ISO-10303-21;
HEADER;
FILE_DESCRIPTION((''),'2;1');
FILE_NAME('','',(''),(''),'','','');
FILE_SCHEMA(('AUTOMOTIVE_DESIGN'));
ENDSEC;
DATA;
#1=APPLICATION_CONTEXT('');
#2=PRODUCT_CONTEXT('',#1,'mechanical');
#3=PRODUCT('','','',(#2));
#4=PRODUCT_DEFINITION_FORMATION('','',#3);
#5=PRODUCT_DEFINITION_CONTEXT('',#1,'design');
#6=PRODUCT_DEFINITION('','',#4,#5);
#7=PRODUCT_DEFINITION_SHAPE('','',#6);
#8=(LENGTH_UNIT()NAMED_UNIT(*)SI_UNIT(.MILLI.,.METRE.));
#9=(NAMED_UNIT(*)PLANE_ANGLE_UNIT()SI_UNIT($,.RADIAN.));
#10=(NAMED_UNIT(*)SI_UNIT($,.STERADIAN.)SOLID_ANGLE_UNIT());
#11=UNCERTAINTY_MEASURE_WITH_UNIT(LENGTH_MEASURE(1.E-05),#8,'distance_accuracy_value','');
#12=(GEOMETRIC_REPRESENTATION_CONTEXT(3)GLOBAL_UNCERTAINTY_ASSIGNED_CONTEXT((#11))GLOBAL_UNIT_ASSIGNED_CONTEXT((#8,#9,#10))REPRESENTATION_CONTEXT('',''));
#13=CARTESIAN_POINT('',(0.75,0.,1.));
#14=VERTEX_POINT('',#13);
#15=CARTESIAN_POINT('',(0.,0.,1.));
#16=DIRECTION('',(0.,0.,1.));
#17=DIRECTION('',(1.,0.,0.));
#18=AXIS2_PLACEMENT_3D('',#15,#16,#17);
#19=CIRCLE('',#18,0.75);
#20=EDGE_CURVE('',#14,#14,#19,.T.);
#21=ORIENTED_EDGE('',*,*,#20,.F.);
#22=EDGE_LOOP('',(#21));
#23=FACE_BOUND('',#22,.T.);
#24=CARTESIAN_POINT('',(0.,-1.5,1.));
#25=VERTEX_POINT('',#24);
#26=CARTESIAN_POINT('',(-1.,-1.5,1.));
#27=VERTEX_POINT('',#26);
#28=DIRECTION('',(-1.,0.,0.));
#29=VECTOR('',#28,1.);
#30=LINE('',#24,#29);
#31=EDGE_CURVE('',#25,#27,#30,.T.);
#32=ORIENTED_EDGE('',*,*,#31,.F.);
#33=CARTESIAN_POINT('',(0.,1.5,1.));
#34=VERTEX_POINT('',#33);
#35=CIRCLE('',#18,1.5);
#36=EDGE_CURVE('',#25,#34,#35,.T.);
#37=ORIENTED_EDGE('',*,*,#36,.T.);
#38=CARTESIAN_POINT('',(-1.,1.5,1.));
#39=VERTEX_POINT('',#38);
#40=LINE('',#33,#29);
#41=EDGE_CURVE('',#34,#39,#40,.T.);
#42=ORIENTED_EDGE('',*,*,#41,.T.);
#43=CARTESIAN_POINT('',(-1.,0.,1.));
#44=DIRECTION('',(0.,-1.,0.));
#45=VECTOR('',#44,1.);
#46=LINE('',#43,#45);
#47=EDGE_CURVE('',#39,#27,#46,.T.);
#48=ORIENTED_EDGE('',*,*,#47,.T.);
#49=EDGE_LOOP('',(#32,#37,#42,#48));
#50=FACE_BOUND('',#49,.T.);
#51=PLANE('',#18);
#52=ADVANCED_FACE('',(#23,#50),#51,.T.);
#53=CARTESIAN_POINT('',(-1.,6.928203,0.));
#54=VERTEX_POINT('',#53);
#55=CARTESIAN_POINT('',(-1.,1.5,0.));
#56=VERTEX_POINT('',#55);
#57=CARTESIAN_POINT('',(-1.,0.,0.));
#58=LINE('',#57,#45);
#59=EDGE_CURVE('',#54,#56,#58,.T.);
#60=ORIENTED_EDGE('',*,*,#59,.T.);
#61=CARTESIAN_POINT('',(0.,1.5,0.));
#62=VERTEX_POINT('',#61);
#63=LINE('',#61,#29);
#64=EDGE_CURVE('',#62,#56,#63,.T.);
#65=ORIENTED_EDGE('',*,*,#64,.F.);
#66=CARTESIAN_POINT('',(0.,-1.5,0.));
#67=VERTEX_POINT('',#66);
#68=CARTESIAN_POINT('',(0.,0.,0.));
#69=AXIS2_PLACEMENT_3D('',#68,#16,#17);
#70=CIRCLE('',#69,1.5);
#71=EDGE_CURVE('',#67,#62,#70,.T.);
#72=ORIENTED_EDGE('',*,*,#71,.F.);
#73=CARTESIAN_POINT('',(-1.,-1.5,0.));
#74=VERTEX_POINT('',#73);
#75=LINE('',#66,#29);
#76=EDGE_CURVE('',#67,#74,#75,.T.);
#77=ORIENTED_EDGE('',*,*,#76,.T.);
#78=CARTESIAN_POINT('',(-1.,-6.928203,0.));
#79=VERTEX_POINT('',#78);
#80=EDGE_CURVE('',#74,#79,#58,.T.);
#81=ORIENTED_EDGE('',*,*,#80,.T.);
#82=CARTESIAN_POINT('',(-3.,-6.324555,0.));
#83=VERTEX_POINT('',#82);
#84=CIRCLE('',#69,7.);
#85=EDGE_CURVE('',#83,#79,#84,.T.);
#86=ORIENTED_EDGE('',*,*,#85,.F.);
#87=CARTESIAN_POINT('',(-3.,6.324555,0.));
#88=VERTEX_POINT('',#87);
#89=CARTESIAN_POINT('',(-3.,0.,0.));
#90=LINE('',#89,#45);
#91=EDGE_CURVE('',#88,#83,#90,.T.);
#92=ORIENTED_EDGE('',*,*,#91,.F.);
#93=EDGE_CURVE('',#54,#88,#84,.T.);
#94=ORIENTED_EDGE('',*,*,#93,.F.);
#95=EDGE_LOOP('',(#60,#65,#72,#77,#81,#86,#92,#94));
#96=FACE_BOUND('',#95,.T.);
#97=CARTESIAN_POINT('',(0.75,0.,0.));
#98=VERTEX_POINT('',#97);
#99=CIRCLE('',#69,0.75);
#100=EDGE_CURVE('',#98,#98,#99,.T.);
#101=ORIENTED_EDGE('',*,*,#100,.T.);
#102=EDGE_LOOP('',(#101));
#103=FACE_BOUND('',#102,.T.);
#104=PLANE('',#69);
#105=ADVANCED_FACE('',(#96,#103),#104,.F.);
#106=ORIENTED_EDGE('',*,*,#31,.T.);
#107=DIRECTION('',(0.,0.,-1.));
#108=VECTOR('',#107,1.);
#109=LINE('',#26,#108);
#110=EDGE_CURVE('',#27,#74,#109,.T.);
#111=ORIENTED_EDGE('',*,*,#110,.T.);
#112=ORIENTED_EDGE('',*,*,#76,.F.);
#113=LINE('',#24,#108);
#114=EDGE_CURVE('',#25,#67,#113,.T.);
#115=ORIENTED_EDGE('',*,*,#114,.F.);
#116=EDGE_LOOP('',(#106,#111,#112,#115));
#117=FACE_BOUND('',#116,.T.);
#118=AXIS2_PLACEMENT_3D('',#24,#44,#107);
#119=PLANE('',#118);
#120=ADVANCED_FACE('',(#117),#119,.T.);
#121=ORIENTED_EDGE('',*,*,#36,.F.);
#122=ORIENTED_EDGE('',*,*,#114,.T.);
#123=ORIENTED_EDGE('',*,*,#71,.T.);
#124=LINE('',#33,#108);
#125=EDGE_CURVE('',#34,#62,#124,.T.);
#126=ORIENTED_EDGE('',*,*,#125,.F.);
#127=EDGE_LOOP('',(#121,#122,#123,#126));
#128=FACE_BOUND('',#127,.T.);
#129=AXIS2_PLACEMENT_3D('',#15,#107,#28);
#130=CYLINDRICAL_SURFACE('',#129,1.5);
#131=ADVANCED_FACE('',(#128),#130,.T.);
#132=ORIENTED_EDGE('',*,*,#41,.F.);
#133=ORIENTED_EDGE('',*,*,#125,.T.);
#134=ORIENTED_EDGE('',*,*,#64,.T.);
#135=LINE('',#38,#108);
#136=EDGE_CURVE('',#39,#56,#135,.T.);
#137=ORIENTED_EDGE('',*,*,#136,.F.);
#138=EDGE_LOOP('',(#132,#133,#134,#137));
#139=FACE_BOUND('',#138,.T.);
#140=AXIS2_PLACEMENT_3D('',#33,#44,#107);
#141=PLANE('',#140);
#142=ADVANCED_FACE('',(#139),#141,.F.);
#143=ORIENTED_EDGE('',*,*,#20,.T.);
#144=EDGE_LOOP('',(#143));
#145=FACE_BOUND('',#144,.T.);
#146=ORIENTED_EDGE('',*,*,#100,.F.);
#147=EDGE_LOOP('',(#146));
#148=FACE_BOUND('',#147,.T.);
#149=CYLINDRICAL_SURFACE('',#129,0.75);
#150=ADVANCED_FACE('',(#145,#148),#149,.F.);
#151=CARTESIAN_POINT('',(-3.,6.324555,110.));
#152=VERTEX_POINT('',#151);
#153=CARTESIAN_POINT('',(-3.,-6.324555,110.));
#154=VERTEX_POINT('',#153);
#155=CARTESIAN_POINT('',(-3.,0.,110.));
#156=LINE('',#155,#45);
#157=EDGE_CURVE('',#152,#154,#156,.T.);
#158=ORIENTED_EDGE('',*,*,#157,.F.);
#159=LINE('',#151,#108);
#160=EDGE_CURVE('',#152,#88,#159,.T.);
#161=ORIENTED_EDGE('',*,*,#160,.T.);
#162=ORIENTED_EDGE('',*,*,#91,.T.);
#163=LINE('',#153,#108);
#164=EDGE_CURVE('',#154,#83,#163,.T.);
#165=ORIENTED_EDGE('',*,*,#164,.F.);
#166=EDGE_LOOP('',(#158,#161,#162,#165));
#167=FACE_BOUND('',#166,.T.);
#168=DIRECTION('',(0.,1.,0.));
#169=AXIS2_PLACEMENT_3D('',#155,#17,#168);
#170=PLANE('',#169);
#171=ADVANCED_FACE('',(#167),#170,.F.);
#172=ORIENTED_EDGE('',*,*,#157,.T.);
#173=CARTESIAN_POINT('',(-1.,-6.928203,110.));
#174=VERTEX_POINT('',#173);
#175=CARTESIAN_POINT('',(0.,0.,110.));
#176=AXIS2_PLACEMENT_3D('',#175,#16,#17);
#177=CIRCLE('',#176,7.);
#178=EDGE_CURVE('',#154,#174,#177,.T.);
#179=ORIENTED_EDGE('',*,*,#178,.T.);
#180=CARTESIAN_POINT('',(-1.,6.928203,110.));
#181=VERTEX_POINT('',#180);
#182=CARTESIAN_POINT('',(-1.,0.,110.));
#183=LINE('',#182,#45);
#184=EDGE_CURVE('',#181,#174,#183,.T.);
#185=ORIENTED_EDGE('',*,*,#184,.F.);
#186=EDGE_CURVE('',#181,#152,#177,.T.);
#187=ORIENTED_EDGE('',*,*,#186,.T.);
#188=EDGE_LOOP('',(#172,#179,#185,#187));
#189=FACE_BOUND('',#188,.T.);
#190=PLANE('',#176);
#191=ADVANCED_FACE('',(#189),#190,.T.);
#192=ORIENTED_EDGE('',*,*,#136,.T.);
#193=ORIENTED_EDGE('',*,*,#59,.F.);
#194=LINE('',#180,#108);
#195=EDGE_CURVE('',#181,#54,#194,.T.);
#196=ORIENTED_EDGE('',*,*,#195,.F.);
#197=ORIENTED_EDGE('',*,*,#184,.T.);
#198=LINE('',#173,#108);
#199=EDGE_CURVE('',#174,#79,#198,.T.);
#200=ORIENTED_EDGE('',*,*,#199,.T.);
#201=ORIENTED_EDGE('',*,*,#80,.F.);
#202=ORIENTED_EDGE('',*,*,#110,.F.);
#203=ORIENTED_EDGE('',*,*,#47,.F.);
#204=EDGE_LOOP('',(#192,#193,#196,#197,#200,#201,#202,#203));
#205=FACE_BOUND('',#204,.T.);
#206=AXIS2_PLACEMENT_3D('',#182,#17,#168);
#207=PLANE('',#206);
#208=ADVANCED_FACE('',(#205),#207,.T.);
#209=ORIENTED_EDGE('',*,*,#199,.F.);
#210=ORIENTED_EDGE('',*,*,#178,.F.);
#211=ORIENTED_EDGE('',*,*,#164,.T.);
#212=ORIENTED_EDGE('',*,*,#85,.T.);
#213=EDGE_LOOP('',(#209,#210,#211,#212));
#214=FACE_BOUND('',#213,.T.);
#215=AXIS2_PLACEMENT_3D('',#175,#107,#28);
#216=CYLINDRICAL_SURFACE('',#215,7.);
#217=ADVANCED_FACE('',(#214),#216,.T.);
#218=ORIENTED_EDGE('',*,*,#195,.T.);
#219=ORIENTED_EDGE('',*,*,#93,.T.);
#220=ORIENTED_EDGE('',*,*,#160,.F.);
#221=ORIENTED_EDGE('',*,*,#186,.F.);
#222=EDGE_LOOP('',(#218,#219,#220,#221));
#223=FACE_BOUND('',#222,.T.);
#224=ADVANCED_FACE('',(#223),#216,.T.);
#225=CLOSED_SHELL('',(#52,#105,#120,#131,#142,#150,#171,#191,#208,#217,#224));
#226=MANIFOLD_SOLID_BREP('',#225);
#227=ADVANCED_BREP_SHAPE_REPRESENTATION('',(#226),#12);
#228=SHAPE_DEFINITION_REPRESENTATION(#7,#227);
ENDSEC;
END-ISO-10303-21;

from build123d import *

# Parameters (mm, degrees)
EXTRUDE_1_DEPTH = 110
SKETCH_1_4_R    = 0.75
EXTRUDE_2_DEPTH = 1


with BuildPart() as part:
    # Sketch 1 → Extrude 1 (new body)
    with BuildSketch(Plane.XY):
        with BuildLine():
            Line((-1, 6.92820323), (-1, 1.5))
            Line((-1, 1.5), (-1, -1.5))
            Line((-1, -1.5), (-1, -6.92820323))
            ThreePointArc((-1, -6.92820323), (-2.022646212, -6.701410471), (-3, -6.32455532))
            Line((-3, -6.32455532), (-3, 6.32455532))
            ThreePointArc((-3, 6.32455532), (-2.022646212, 6.701410471), (-1, 6.92820323))
        make_face()
    extrude(amount=EXTRUDE_1_DEPTH)

    # Sketch 1_4 → Extrude 2 (add)
    with BuildSketch(Plane.XY):
        with BuildLine():
            Line((0, -1.5), (-1, -1.5))
            Line((-1, -1.5), (-1, 1.5))
            Line((-1, 1.5), (0, 1.5))
            ThreePointArc((0, 1.5), (1.5, 0), (0, -1.5))
        make_face()
        Circle(SKETCH_1_4_R, mode=Mode.SUBTRACT)
    extrude(amount=EXTRUDE_2_DEPTH)


solid = part.part
